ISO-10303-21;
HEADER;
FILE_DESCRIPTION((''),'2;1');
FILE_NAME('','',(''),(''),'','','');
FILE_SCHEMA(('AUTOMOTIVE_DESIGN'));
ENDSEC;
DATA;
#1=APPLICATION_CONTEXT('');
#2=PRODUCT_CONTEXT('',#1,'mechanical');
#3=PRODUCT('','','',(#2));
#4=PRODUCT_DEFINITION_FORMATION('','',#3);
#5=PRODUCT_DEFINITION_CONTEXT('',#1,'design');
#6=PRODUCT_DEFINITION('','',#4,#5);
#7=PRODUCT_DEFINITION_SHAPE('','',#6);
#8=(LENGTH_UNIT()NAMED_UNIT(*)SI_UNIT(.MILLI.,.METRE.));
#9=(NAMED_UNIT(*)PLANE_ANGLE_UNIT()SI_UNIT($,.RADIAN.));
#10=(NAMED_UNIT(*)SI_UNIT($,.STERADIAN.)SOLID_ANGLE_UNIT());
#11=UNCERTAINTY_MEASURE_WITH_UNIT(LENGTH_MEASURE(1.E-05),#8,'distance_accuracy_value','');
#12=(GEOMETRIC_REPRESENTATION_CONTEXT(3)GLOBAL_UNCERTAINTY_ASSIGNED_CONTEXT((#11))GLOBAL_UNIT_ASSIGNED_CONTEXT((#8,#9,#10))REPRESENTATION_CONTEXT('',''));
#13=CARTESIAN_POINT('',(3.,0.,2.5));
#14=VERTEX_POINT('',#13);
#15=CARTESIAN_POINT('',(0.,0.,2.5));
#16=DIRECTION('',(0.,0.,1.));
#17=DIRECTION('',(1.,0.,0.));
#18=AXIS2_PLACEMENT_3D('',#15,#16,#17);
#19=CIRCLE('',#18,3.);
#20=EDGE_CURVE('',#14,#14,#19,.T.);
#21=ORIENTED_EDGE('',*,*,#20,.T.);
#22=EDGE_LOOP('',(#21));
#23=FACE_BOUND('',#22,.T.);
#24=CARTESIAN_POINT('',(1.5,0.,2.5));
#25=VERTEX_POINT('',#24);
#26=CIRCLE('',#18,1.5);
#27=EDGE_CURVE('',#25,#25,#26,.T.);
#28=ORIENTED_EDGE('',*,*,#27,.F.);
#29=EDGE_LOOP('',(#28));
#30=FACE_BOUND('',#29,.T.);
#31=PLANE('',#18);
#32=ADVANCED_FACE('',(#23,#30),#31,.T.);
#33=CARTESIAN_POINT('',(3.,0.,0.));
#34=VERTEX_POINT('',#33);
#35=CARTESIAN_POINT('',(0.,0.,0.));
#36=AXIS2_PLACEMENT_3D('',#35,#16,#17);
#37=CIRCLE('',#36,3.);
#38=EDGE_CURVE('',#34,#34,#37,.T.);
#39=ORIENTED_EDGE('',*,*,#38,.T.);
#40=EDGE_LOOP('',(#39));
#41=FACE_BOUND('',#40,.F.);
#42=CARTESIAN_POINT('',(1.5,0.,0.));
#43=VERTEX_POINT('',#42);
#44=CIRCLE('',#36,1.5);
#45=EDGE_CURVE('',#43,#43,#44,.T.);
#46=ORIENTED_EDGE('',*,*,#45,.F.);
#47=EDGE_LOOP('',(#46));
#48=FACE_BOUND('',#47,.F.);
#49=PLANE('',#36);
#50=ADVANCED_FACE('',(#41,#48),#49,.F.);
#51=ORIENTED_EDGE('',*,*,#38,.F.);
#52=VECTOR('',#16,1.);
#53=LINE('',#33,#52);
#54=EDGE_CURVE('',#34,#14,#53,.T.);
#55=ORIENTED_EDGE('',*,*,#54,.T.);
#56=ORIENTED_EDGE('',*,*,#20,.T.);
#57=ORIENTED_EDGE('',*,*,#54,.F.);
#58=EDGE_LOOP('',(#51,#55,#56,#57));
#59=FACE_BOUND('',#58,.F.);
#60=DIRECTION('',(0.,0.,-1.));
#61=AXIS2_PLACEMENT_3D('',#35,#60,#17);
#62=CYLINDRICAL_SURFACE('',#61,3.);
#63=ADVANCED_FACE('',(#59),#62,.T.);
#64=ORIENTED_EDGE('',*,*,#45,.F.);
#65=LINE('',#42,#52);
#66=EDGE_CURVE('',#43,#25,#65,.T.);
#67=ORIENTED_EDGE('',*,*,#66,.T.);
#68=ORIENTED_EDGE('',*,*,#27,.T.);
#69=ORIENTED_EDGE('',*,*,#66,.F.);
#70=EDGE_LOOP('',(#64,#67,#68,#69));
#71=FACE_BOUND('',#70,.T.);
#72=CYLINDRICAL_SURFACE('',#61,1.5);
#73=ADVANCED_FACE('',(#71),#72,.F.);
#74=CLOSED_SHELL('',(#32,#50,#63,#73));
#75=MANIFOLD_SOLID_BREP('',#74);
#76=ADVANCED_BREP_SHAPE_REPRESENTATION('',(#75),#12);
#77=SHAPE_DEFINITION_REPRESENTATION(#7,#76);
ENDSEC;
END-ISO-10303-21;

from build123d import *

# Parameters (mm, degrees)
SKETCH1_R           = 3
SKETCH1_R_2         = 1.5
BOSS_EXTRUDE1_DEPTH = 2.5


with BuildPart() as part:
    # Sketch1 → Boss-Extrude1 (new body)
    with BuildSketch(Plane.XY):
        Circle(SKETCH1_R)
        Circle(SKETCH1_R_2, mode=Mode.SUBTRACT)
    extrude(amount=BOSS_EXTRUDE1_DEPTH)


solid = part.part
